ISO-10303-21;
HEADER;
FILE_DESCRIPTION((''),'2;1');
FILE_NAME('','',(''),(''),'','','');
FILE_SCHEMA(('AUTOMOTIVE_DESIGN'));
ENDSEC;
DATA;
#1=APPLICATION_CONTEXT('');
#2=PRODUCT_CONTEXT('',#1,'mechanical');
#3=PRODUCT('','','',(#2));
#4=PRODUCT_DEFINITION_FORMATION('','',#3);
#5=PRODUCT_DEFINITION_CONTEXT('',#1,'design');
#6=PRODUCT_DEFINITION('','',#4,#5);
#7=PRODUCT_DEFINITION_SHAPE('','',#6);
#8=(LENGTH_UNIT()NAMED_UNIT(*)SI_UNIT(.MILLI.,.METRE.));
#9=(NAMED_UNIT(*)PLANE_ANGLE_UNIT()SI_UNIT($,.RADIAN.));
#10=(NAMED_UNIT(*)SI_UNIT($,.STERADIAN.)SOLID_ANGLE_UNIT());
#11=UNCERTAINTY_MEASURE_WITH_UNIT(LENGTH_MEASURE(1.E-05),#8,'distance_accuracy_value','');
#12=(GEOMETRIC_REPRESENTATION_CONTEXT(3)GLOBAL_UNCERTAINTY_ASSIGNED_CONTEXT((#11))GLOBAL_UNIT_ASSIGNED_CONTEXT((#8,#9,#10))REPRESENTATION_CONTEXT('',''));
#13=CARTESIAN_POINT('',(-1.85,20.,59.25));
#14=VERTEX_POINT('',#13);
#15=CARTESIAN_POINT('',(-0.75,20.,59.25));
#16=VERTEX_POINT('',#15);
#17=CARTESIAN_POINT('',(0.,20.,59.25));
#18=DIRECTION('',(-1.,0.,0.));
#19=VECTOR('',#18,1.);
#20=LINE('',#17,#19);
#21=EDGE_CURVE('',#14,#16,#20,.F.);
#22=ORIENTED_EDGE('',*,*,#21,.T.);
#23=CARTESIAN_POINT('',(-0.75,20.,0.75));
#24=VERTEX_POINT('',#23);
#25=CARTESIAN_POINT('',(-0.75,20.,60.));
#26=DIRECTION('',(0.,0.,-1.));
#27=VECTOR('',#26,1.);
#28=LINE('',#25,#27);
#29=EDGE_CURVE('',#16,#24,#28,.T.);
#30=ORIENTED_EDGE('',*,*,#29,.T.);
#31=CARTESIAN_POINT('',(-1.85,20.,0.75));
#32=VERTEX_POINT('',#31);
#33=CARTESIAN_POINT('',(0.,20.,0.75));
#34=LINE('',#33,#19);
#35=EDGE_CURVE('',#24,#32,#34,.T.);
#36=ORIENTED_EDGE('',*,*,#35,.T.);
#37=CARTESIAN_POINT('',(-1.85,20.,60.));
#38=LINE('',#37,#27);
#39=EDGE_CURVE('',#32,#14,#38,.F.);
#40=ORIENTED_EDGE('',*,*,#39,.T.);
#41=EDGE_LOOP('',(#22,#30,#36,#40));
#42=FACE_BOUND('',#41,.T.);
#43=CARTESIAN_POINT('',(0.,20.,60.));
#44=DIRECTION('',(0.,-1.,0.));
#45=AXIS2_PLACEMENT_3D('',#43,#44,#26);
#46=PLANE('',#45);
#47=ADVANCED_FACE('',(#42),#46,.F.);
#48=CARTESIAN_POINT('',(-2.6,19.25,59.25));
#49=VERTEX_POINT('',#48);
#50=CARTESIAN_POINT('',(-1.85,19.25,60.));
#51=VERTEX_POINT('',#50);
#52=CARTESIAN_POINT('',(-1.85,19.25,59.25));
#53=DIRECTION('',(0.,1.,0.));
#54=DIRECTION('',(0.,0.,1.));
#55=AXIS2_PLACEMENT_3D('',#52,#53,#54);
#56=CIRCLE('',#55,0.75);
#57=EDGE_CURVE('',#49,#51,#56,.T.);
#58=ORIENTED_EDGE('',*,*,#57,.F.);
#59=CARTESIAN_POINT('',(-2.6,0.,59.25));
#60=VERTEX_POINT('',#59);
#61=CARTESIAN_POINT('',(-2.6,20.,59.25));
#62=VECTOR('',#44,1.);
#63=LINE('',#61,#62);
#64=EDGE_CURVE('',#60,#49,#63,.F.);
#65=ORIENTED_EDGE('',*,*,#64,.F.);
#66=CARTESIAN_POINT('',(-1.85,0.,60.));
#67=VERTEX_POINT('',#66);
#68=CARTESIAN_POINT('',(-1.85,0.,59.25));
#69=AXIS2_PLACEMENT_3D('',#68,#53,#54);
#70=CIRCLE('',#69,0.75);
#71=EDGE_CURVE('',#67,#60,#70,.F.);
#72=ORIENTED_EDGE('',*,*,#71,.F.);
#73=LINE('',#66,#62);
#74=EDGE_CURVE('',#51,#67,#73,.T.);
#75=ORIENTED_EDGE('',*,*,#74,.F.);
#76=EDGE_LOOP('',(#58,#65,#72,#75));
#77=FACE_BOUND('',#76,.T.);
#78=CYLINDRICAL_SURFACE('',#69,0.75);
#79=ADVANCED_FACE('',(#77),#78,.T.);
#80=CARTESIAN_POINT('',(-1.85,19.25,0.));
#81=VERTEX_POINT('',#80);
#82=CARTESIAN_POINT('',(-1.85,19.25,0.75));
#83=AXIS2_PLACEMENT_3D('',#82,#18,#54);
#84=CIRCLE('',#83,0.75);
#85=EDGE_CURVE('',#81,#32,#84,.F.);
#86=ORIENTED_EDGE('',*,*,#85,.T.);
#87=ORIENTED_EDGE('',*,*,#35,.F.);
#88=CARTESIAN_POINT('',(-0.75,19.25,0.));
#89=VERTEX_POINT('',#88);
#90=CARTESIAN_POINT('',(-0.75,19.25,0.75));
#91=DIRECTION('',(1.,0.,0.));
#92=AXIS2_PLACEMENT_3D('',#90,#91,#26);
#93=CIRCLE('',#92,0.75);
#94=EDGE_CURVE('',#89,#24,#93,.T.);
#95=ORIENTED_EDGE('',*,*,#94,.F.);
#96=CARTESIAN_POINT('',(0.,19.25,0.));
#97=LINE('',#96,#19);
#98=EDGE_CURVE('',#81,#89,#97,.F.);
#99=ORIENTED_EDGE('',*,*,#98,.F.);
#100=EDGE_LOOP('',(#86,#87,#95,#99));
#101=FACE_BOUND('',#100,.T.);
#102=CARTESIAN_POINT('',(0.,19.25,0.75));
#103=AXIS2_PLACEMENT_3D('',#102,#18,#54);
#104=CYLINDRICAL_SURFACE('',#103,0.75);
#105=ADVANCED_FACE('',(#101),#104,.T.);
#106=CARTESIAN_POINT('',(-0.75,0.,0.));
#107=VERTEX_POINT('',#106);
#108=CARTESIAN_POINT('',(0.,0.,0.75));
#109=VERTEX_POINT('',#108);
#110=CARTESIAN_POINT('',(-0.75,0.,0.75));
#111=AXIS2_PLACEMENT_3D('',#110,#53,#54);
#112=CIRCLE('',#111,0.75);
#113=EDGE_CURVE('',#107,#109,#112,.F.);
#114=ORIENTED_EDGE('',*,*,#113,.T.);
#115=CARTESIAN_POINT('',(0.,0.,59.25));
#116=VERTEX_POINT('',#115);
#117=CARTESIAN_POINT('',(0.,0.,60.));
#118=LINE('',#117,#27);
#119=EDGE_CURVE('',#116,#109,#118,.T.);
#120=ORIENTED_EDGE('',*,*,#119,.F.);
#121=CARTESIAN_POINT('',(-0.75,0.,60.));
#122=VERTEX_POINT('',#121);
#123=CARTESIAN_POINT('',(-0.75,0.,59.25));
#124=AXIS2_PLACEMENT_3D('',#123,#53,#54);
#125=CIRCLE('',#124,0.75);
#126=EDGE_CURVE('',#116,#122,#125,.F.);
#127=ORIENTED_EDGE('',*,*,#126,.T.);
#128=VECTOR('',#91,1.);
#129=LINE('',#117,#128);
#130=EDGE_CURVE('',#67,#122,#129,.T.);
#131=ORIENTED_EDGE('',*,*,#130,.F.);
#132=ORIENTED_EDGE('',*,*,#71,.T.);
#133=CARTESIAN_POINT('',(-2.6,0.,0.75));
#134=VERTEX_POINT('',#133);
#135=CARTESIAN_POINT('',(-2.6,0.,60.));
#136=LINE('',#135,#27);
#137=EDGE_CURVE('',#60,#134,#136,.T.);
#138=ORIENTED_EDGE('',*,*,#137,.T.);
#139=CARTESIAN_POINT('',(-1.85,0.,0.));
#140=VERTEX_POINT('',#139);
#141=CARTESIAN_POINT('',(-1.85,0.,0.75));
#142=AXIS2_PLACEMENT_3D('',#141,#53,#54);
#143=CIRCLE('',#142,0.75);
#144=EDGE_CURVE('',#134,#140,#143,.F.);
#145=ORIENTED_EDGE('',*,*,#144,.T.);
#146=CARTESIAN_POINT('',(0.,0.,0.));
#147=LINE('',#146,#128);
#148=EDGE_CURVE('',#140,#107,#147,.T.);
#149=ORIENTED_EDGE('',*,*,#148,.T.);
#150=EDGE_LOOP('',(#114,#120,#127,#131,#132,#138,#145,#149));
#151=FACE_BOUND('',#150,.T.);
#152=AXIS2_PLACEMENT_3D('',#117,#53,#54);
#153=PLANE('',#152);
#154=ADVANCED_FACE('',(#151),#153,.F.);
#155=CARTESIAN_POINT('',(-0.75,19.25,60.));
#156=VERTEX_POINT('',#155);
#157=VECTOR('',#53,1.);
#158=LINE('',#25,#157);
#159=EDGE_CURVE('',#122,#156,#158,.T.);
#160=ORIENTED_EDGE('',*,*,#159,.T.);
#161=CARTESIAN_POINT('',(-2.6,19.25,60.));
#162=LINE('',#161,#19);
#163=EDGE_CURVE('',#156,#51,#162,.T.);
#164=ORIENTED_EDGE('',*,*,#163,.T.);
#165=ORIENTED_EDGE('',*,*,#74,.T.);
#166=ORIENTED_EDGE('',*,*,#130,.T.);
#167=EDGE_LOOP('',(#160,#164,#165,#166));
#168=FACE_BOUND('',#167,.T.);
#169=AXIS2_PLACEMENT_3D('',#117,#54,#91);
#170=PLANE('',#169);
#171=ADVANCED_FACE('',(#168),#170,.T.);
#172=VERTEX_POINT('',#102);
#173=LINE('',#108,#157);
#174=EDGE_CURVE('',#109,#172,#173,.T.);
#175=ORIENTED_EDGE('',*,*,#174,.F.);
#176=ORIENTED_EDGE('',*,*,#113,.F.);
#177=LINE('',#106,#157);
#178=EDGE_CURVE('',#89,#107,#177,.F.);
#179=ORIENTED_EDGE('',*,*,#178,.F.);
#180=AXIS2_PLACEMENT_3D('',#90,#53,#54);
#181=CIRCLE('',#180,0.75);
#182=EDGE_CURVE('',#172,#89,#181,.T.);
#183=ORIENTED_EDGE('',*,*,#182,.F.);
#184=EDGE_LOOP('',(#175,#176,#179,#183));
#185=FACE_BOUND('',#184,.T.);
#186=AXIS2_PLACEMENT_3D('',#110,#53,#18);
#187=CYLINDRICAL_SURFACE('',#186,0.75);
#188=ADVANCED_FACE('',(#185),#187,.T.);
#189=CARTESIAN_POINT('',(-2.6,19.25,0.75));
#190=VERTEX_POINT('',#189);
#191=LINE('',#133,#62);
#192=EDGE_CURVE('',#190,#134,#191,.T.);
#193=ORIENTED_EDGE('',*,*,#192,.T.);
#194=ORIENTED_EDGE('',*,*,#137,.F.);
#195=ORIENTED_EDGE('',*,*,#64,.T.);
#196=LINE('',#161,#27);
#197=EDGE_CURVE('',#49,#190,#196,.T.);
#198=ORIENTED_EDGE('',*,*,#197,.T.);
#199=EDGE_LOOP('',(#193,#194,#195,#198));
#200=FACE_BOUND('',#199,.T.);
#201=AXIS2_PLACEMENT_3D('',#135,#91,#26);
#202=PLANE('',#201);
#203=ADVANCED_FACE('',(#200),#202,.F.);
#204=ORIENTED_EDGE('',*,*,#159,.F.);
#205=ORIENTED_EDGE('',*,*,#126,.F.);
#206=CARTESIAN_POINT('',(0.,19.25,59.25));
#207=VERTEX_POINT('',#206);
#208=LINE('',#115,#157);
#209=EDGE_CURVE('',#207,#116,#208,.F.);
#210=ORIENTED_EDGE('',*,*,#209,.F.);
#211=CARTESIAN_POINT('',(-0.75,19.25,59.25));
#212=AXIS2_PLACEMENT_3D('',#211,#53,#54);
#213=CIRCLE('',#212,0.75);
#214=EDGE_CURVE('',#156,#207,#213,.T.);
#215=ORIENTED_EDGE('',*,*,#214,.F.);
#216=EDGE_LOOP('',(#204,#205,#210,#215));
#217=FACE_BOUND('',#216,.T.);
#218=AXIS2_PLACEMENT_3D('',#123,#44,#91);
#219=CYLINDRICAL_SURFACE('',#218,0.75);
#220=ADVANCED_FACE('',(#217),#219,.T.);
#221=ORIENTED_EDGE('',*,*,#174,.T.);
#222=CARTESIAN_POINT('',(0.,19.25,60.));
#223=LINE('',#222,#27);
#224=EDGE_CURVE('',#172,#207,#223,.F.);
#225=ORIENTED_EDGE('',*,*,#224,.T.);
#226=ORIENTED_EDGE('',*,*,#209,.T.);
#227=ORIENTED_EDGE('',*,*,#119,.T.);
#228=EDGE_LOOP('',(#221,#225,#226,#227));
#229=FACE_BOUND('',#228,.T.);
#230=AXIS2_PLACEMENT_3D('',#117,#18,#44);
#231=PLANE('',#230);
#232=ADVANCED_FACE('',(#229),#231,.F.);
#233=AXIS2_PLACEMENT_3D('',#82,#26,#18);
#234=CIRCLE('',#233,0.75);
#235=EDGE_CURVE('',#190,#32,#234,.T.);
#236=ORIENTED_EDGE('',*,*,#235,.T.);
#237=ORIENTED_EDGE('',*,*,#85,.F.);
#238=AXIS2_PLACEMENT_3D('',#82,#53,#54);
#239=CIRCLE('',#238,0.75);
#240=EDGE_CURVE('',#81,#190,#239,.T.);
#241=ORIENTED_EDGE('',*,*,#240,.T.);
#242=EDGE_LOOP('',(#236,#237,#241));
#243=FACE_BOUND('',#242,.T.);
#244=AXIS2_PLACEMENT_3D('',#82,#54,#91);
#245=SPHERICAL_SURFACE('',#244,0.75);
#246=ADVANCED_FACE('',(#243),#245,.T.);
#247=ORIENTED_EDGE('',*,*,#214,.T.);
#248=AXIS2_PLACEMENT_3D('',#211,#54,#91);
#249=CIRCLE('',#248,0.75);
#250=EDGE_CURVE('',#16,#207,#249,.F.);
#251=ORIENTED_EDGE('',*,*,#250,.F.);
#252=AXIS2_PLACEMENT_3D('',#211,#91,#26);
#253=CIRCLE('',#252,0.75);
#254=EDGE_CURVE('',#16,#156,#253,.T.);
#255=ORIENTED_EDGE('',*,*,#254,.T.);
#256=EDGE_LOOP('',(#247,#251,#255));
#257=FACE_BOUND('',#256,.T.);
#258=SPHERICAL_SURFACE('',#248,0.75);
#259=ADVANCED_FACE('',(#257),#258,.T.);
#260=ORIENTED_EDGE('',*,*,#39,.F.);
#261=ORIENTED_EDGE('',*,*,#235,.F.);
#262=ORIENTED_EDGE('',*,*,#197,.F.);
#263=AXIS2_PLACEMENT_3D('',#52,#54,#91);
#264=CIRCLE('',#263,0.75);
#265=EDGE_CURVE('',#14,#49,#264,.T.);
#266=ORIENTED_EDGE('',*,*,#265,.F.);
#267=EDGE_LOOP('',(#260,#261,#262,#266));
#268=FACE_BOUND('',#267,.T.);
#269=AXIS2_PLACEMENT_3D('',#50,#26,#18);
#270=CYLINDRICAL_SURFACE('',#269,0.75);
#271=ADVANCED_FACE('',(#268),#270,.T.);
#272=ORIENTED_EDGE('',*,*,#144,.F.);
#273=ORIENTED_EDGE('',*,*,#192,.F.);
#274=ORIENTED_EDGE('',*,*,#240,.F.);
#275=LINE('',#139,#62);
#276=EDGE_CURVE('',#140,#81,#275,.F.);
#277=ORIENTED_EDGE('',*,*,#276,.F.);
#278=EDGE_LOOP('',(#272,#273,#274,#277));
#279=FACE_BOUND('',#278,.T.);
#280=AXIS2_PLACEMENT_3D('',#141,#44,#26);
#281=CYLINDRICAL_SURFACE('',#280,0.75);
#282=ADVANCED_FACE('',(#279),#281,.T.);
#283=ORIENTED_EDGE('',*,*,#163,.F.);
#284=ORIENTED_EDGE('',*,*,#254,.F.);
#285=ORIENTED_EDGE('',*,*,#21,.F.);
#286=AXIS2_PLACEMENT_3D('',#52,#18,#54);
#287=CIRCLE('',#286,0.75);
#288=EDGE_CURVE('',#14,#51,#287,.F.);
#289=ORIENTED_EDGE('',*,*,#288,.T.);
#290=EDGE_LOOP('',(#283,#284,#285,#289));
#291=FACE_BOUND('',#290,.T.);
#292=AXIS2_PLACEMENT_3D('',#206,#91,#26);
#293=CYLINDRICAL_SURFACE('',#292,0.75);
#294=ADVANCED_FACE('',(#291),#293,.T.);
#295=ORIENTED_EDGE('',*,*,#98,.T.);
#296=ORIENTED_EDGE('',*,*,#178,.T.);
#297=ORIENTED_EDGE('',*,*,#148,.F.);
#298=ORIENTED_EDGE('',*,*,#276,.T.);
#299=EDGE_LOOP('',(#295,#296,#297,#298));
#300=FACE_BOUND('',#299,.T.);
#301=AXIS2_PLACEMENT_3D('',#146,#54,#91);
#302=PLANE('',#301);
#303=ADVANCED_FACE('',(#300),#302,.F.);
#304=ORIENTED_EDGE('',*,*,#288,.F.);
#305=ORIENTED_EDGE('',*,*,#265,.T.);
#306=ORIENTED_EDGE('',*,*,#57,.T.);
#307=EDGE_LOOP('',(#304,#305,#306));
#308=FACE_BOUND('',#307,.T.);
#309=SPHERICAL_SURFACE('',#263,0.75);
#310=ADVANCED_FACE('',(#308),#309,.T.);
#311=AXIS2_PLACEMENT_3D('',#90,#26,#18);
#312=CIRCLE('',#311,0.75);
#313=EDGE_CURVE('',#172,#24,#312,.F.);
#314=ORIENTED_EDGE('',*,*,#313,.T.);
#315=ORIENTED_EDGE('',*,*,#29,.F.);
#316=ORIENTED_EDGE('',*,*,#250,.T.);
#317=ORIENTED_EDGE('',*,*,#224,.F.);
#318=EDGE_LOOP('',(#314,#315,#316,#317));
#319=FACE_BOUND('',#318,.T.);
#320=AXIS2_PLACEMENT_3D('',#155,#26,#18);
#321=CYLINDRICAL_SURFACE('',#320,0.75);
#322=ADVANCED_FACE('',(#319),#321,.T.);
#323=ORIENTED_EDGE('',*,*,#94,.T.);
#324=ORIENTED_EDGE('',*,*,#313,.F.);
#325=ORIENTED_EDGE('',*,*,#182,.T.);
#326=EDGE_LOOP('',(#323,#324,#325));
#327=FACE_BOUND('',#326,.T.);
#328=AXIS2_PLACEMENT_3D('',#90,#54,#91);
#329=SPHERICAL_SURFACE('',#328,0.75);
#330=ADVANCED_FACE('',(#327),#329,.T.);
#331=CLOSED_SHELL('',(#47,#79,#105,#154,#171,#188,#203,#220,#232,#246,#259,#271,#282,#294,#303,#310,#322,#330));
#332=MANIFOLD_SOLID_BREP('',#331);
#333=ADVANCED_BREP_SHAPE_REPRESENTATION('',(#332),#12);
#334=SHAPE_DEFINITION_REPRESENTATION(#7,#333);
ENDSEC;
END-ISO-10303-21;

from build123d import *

# Parameters (mm, degrees)
SCHIZZO2_W                   = 2.6
SCHIZZO2_H                   = 20
ESTRUSIONE_ESTRUSIONE1_DEPTH = 60
RACCORDO1_R                  = 0.75


with BuildPart() as part:
    # Schizzo2 → Estrusione-Estrusione1 (new body)
    with BuildSketch(Plane.XY):
        with Locations((-1.3, 10)):
            Rectangle(SCHIZZO2_W, SCHIZZO2_H)
    extrude(amount=ESTRUSIONE_ESTRUSIONE1_DEPTH)

    # Raccordo1
    raccordo1_edges = [part.edges().sort_by_distance(p)[0] for p in [
        (-2.6, 10, 60),
        (0, 10, 60),
        (-2.6, 10, 0),
        (-1.3, 20, 0),
        (0, 10, 0),
        (-2.6, 20, 30),
        (0, 20, 30),
        (-1.3, 20, 60),
    ]]
    fillet(raccordo1_edges, radius=RACCORDO1_R)


solid = part.part
